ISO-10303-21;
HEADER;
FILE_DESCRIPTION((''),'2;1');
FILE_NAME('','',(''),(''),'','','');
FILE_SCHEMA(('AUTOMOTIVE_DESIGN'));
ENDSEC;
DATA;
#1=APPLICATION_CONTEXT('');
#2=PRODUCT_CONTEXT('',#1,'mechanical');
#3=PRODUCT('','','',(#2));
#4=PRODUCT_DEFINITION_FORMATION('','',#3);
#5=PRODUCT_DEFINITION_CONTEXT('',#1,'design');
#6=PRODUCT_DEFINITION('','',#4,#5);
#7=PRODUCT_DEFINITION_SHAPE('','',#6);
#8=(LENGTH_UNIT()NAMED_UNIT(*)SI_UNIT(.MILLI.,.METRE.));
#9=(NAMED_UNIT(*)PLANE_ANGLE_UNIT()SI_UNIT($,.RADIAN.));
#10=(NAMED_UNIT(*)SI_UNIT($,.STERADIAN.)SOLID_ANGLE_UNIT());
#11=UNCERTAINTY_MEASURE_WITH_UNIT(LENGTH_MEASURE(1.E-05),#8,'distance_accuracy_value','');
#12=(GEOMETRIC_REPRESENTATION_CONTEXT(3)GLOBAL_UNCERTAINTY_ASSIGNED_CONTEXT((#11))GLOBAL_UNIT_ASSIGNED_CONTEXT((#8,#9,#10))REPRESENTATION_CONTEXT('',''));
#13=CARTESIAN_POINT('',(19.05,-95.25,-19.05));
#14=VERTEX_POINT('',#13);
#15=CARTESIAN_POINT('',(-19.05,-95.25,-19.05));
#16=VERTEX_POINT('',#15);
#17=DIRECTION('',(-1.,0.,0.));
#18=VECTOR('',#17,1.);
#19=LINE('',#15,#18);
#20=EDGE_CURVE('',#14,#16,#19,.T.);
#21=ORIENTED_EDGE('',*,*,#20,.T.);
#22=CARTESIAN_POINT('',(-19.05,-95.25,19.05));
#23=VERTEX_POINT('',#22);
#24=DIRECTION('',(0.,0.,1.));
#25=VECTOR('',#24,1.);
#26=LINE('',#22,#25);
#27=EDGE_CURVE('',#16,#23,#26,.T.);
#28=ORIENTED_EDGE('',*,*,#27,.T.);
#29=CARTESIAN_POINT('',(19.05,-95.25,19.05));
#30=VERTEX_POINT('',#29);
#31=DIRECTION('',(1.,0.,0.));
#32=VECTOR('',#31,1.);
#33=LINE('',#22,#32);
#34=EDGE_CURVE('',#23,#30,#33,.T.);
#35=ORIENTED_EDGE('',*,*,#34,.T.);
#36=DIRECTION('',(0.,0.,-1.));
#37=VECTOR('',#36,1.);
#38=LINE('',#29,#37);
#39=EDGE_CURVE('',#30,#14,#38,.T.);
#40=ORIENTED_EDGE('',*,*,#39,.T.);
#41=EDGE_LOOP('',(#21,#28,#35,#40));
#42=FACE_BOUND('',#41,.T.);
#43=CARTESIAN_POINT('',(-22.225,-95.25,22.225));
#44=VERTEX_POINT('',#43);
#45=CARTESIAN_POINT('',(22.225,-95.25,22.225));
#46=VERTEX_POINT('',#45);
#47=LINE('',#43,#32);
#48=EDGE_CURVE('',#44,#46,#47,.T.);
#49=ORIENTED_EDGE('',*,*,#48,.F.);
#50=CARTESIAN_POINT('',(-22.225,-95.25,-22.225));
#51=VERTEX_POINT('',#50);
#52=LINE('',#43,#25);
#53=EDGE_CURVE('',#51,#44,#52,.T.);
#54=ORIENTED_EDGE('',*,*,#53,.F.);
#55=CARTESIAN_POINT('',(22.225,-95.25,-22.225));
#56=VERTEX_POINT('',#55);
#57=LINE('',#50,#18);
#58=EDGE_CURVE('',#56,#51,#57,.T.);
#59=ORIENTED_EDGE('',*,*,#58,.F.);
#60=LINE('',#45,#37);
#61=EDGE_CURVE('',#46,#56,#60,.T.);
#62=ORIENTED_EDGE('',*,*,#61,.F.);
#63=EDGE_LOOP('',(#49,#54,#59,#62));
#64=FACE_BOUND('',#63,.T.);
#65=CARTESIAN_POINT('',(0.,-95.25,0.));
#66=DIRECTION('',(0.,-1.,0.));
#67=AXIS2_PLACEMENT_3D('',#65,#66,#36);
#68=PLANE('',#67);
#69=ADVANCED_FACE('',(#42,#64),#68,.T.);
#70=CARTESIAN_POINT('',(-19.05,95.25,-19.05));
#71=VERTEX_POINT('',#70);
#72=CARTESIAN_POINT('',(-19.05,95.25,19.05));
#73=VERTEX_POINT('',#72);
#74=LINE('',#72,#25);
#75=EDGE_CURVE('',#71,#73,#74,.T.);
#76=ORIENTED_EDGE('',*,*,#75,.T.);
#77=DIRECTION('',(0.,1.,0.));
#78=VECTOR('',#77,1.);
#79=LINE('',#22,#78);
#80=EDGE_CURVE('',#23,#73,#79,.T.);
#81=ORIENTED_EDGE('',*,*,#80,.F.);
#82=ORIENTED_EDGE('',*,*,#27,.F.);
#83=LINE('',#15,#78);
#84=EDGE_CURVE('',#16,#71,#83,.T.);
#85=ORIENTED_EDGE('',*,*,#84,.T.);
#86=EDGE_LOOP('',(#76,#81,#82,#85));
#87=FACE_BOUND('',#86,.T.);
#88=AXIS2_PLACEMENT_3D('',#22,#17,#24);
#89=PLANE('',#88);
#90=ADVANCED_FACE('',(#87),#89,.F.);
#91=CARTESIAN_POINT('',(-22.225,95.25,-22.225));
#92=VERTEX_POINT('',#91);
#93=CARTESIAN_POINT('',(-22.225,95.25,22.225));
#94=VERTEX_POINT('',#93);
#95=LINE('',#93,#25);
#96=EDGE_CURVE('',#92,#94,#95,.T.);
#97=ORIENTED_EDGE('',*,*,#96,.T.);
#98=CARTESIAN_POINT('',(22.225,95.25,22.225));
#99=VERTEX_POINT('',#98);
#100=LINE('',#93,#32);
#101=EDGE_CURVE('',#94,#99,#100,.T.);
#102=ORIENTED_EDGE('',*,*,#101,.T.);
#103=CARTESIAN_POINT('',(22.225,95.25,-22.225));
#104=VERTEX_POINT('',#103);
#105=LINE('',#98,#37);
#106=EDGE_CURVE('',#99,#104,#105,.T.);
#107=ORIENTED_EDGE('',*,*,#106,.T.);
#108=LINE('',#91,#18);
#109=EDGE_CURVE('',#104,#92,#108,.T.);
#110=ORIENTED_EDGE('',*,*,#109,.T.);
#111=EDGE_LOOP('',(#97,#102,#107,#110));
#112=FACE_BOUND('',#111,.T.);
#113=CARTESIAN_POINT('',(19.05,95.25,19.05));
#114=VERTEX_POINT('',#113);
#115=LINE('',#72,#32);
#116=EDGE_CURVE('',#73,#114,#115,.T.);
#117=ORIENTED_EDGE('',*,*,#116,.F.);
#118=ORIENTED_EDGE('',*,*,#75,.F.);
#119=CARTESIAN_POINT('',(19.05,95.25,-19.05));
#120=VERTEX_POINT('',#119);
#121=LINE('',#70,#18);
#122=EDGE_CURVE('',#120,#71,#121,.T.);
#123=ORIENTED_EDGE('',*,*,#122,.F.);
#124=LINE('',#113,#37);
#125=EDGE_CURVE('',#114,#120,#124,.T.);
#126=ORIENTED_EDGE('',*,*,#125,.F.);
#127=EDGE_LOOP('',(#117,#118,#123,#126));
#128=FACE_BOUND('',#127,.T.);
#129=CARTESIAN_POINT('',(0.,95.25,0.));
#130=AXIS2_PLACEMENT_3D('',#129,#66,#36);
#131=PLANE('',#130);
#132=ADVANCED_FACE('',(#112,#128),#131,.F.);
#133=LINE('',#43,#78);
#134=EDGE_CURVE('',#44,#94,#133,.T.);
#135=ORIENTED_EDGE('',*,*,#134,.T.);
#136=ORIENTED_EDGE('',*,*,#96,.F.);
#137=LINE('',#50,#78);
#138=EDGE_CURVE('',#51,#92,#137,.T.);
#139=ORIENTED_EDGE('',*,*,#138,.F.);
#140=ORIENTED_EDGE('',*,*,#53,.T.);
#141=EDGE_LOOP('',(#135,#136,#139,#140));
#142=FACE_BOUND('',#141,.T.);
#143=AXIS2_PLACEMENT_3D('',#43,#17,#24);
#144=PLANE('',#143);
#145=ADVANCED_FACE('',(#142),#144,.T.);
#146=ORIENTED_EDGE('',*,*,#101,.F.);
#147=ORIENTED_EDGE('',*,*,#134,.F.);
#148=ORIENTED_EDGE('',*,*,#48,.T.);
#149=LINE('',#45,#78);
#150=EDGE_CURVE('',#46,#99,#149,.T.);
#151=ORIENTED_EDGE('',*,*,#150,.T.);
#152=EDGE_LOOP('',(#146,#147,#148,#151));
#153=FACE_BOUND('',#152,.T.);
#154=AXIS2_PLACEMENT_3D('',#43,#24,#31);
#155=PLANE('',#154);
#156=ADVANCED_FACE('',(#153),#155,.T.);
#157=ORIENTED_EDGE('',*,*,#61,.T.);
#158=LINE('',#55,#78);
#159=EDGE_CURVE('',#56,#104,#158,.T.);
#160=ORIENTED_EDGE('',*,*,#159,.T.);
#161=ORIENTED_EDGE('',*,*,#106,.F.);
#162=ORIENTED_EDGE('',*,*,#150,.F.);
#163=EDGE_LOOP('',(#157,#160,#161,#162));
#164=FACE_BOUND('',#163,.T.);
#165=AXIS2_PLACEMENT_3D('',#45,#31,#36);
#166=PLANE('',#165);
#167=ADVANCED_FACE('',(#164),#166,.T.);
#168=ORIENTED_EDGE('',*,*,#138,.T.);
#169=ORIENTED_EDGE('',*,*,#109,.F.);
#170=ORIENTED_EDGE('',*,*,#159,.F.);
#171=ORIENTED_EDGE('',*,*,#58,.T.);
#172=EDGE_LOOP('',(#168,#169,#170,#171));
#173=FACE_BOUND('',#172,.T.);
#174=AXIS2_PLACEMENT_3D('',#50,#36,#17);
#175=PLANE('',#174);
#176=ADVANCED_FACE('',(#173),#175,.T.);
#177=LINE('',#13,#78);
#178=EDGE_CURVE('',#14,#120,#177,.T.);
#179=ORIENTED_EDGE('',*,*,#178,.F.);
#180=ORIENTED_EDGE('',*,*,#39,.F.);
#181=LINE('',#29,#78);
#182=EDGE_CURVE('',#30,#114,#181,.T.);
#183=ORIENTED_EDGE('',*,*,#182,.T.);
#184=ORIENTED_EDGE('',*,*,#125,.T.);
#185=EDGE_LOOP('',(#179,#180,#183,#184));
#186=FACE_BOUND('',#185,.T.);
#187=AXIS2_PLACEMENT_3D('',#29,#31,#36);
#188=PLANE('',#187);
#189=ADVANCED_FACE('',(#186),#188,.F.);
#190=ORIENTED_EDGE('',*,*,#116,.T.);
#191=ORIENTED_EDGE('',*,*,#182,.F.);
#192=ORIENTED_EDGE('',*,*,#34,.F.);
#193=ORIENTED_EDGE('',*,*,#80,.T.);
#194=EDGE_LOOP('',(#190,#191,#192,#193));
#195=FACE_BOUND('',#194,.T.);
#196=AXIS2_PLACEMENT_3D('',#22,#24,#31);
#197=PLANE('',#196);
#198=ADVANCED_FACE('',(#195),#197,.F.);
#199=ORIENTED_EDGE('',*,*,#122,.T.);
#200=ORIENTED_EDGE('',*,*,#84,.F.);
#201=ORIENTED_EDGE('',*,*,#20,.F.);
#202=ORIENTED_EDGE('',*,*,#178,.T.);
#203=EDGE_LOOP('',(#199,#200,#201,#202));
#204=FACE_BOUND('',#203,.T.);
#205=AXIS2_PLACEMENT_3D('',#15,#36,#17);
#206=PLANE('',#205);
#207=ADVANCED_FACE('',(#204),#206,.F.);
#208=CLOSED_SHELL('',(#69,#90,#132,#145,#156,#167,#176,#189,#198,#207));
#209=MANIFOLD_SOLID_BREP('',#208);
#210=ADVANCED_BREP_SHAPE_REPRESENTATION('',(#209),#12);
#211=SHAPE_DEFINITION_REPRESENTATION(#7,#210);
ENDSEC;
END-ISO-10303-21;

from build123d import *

# Parameters (mm, degrees)
BOSS_EXTRUDE1_DEPTH      = 95.25
BOSS_EXTRUDE1_DEPTH_BACK = 95.25
SKETCH1_W                = 44.45
SKETCH1_H                = 44.45
SKETCH1_W_2              = 38.1
SKETCH1_H_2              = 38.1


with BuildPart() as part:
    # Sketch1 → Boss-Extrude1 (new, two sides: drawn at the far end of the back side and taken through both)
    with BuildSketch(Plane(origin=(0, 0, 0), x_dir=(1, 0, 0), z_dir=(0, 1, 0)).offset(-BOSS_EXTRUDE1_DEPTH_BACK)):
        Rectangle(SKETCH1_W, SKETCH1_H)
        Rectangle(SKETCH1_W_2, SKETCH1_H_2, mode=Mode.SUBTRACT)
    extrude(amount=BOSS_EXTRUDE1_DEPTH + BOSS_EXTRUDE1_DEPTH_BACK)


solid = part.part
